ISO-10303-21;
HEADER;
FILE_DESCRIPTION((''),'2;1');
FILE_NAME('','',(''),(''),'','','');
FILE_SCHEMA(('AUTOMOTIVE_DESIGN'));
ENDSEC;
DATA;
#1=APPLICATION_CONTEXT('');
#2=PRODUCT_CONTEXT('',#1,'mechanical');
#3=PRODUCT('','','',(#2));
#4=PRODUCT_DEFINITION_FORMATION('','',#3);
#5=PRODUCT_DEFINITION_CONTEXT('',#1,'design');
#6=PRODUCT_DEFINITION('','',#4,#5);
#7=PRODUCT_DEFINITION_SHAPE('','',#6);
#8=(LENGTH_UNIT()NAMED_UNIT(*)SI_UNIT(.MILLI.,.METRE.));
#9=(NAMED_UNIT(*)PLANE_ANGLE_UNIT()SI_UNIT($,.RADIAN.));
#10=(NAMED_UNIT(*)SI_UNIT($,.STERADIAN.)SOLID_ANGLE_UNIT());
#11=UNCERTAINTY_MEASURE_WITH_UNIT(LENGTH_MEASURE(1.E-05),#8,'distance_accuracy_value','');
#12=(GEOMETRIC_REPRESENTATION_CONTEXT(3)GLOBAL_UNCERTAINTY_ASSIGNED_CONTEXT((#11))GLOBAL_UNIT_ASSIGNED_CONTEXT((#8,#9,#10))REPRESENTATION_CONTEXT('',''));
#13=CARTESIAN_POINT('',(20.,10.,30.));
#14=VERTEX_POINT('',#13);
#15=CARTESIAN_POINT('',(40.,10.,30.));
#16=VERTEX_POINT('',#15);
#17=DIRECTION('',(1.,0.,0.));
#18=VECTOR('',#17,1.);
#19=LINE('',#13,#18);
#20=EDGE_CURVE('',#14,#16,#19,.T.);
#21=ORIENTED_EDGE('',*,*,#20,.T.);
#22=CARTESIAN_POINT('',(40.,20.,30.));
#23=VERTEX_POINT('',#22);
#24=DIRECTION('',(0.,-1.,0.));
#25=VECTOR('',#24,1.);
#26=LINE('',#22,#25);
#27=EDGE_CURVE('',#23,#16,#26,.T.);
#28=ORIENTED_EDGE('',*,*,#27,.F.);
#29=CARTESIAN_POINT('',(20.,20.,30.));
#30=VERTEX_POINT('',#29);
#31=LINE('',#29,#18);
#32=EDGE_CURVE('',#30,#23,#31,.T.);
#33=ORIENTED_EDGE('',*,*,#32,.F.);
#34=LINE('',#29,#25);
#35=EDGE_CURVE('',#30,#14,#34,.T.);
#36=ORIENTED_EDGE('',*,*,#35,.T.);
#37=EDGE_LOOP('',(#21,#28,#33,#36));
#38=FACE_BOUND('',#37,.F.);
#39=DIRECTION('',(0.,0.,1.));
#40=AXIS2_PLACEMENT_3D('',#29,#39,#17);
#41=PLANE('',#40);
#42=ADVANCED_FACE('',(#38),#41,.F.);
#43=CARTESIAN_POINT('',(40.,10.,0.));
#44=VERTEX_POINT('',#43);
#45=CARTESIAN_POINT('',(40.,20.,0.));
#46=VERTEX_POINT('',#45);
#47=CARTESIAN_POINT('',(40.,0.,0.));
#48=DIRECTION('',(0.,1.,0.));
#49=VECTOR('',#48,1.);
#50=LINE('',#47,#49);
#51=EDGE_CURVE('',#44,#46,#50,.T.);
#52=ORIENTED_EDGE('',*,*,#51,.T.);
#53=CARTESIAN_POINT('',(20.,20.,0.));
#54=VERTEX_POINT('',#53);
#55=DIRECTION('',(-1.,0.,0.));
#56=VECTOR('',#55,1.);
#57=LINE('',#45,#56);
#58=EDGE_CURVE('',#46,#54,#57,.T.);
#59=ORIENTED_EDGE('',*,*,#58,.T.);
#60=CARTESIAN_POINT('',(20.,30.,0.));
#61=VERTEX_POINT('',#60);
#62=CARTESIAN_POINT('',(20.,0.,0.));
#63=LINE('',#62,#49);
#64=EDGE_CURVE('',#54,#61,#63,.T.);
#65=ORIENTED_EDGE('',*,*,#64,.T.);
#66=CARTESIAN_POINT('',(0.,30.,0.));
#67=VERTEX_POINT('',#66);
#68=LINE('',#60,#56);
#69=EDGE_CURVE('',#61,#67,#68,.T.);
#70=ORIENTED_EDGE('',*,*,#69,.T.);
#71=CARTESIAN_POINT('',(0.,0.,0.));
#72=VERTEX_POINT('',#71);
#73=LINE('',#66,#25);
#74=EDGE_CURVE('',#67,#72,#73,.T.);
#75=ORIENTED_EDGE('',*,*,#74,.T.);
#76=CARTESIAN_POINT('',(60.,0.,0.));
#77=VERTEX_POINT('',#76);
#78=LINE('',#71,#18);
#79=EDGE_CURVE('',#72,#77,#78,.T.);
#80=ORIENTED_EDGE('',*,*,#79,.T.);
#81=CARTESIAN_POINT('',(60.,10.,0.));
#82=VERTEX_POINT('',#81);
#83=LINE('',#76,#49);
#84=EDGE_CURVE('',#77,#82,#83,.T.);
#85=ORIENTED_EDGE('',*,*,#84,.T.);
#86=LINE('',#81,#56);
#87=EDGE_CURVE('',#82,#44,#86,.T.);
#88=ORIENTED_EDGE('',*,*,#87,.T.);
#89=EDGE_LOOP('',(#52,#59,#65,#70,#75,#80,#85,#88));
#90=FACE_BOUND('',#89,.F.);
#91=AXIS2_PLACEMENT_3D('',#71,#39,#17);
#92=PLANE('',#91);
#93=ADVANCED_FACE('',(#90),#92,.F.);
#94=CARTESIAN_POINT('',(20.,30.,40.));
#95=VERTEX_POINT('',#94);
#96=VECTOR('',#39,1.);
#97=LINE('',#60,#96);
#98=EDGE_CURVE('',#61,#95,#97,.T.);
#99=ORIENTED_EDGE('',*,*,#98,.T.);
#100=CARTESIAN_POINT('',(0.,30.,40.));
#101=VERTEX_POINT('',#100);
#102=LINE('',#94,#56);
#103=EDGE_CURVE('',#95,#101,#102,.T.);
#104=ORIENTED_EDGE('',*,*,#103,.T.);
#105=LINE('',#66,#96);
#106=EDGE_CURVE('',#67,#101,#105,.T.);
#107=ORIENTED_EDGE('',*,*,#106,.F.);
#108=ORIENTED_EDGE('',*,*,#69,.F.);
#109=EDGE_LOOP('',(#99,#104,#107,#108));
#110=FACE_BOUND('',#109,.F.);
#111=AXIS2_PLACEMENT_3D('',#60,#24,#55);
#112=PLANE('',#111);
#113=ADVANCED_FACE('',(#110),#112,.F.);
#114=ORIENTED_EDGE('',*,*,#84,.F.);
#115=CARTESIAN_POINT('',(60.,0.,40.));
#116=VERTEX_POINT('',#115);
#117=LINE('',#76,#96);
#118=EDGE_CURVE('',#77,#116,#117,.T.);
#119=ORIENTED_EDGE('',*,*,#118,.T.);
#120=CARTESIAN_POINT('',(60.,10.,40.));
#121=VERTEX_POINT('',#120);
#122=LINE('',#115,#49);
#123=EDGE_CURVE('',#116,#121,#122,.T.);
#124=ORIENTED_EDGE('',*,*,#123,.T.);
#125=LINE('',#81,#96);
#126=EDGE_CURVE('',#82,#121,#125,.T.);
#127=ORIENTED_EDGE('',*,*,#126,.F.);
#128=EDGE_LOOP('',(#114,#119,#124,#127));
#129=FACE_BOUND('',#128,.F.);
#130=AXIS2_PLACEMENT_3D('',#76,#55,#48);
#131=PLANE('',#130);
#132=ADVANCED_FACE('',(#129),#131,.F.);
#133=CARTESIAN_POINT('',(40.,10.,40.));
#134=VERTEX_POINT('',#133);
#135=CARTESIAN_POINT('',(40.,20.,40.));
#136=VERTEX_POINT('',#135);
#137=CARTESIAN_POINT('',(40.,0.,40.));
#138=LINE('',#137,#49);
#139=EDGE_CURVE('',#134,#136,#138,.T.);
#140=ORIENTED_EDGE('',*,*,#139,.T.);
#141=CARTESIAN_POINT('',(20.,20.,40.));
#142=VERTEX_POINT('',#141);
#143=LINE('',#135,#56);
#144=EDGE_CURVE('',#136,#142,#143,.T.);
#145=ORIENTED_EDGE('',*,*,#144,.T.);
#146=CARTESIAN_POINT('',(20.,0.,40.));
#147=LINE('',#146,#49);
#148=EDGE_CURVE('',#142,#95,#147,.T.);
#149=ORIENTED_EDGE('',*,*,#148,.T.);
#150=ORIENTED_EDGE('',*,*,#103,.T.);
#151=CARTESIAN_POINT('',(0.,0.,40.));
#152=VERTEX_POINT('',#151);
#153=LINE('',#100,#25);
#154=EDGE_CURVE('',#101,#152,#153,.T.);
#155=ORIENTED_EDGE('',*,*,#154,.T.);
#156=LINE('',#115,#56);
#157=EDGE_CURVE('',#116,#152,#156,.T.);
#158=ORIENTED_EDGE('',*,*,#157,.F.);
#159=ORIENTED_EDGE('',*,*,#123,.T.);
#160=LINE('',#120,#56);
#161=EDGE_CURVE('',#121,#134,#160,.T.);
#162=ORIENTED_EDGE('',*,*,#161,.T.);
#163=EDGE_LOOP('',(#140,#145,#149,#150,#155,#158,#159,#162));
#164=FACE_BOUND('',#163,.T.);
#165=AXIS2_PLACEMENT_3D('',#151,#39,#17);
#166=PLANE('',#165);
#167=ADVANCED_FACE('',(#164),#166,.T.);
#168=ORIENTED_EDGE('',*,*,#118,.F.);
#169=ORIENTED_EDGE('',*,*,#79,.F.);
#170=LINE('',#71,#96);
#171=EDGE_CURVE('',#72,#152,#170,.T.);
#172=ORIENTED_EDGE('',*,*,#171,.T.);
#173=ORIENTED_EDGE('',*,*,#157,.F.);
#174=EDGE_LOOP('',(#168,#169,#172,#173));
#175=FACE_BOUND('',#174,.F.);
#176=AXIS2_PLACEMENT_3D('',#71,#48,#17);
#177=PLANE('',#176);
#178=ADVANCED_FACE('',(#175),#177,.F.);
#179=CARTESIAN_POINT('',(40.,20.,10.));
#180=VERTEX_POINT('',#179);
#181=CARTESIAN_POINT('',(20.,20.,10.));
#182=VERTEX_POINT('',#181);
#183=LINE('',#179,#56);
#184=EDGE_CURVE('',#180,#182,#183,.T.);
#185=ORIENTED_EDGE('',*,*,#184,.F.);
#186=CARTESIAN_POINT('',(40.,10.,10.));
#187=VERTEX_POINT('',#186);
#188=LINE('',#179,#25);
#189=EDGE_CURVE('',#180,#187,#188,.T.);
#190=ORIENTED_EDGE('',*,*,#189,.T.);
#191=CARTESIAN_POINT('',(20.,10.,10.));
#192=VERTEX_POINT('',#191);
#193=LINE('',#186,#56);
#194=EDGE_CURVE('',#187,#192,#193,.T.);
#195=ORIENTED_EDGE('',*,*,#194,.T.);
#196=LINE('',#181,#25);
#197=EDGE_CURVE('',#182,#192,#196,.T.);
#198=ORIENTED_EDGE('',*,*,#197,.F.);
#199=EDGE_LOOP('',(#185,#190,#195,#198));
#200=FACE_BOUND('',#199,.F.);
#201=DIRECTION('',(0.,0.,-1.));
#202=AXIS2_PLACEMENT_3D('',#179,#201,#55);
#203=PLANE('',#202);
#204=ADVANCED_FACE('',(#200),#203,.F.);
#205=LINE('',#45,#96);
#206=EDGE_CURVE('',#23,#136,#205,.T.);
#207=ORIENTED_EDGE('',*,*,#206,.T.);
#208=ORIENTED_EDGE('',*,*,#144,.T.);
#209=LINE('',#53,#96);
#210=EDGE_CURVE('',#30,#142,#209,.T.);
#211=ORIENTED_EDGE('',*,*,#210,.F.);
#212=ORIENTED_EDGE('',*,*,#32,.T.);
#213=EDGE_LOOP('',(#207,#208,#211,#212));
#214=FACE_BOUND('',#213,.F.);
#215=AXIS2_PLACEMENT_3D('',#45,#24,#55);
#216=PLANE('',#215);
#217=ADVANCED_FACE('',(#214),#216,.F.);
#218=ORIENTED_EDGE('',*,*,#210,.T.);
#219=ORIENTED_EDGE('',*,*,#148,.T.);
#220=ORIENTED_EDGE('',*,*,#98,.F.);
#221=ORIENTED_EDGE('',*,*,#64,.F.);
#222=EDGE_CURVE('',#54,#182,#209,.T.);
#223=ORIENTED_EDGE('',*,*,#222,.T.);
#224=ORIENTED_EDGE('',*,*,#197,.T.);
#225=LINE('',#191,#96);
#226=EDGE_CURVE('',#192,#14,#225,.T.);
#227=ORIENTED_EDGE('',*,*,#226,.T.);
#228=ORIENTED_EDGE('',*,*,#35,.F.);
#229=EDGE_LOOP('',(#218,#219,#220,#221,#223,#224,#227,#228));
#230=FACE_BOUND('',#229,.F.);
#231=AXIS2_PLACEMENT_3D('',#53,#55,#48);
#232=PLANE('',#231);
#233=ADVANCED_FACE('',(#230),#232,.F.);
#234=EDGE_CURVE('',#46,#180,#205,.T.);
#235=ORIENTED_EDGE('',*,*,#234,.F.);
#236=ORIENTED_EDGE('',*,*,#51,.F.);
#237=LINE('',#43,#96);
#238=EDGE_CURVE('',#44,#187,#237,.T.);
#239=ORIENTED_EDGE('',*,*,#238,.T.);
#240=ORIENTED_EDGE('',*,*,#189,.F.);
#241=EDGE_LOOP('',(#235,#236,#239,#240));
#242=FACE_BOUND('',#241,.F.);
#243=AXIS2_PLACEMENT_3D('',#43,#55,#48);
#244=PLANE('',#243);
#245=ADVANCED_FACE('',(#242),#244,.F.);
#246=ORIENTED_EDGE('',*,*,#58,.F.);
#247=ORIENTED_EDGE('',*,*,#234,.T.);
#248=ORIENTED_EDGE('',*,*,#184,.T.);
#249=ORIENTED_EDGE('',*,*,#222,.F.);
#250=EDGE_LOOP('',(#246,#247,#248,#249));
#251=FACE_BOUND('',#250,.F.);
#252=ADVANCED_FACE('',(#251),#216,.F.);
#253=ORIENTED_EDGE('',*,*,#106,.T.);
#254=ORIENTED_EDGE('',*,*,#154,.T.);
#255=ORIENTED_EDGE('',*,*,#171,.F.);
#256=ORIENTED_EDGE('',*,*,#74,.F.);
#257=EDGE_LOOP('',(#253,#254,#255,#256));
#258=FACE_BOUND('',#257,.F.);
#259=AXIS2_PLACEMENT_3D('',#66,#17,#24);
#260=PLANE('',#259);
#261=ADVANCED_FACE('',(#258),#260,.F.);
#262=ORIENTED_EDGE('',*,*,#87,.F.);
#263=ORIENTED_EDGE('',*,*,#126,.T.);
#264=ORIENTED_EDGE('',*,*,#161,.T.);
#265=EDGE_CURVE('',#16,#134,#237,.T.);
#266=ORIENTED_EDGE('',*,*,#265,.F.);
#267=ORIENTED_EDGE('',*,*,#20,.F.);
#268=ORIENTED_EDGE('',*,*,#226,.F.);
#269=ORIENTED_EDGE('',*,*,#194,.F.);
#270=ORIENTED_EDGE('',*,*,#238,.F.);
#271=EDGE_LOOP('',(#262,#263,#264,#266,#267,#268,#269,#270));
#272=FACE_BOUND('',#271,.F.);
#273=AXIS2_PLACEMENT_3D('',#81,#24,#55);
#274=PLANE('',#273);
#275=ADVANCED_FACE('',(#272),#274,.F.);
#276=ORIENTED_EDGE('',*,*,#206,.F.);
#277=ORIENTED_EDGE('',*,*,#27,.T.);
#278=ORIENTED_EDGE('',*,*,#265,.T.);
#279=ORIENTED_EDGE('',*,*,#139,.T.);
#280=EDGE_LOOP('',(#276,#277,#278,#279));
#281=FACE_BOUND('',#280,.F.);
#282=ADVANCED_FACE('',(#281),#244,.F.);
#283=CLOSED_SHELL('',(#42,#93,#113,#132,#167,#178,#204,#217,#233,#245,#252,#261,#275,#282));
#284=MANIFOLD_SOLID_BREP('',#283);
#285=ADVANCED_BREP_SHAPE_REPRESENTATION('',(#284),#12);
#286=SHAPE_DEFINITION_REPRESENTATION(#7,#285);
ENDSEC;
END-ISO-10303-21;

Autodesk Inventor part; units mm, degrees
ref_plane "YZ Plane" through (0, 0, 0) normal (1, 0, 0) x (0, 1, 0)
ref_plane "XZ Plane" through (0, 0, 0) normal (0, 1, 0) x (-1, 0, 0)
ref_plane "XY Plane" through (0, 0, 0) normal (0, 0, 1) x (1, 0, 0)
sketch "草圖1" plane through (0, 0, 0) normal (0, 0, 1) x (1, 0, 0)
  line L0 (0, 0) -> (20, 0)
  line L1 (20, 0) -> (20, 30)
  line L2 (20, 30) -> (0, 30)
  line L3 (0, 30) -> (0, 0)
  line L4 (20, 0) -> (40, 0)
  line L5 (40, 0) -> (40, 20)
  line L6 (40, 20) -> (20, 20)
  line L7 (20, 20) -> (20, 0)
  line L8 (40, 0) -> (60, 0)
  line L9 (60, 0) -> (60, 10)
  line L10 (60, 10) -> (40, 10)
  line L11 (40, 10) -> (40, 0)
  dimension "d0" = 60
  dimension "d1" = 20
  dimension "d2" = 20
  dimension "d3" = 10
  dimension "d4" = 20
  dimension "d5" = 30
extrude "擠出1" add sketch "草圖1" along normal blind 40
sketch "草圖2" plane through (20, 20, 0) normal (0, 1, 0) x (1, 0, 0)
  line L0 (0, -30) -> (20, -30)
  line L1 (20, -30) -> (20, -10)
  line L2 (20, -10) -> (0, -10)
  line L3 (0, -10) -> (0, -30)
  line L4 (20, 0) -> (20, -40) projected
  line L5 (20, 0) -> (0, 0) projected
  line L6 (20, -40) -> (0, -40) projected
  line L7 (0, 0) -> (0, -40) projected
  point P0 (-20, 0)
  dimension "d8" = 0
  dimension "d9" = 10
  dimension "d10" = 10
  dimension "d13" = 0
extrude "擠出2" cut sketch "草圖2" against normal up to surface (10 mm away) contours L3 L2 L1 L0
properties part number "46 (44000.000 mm^3)"
